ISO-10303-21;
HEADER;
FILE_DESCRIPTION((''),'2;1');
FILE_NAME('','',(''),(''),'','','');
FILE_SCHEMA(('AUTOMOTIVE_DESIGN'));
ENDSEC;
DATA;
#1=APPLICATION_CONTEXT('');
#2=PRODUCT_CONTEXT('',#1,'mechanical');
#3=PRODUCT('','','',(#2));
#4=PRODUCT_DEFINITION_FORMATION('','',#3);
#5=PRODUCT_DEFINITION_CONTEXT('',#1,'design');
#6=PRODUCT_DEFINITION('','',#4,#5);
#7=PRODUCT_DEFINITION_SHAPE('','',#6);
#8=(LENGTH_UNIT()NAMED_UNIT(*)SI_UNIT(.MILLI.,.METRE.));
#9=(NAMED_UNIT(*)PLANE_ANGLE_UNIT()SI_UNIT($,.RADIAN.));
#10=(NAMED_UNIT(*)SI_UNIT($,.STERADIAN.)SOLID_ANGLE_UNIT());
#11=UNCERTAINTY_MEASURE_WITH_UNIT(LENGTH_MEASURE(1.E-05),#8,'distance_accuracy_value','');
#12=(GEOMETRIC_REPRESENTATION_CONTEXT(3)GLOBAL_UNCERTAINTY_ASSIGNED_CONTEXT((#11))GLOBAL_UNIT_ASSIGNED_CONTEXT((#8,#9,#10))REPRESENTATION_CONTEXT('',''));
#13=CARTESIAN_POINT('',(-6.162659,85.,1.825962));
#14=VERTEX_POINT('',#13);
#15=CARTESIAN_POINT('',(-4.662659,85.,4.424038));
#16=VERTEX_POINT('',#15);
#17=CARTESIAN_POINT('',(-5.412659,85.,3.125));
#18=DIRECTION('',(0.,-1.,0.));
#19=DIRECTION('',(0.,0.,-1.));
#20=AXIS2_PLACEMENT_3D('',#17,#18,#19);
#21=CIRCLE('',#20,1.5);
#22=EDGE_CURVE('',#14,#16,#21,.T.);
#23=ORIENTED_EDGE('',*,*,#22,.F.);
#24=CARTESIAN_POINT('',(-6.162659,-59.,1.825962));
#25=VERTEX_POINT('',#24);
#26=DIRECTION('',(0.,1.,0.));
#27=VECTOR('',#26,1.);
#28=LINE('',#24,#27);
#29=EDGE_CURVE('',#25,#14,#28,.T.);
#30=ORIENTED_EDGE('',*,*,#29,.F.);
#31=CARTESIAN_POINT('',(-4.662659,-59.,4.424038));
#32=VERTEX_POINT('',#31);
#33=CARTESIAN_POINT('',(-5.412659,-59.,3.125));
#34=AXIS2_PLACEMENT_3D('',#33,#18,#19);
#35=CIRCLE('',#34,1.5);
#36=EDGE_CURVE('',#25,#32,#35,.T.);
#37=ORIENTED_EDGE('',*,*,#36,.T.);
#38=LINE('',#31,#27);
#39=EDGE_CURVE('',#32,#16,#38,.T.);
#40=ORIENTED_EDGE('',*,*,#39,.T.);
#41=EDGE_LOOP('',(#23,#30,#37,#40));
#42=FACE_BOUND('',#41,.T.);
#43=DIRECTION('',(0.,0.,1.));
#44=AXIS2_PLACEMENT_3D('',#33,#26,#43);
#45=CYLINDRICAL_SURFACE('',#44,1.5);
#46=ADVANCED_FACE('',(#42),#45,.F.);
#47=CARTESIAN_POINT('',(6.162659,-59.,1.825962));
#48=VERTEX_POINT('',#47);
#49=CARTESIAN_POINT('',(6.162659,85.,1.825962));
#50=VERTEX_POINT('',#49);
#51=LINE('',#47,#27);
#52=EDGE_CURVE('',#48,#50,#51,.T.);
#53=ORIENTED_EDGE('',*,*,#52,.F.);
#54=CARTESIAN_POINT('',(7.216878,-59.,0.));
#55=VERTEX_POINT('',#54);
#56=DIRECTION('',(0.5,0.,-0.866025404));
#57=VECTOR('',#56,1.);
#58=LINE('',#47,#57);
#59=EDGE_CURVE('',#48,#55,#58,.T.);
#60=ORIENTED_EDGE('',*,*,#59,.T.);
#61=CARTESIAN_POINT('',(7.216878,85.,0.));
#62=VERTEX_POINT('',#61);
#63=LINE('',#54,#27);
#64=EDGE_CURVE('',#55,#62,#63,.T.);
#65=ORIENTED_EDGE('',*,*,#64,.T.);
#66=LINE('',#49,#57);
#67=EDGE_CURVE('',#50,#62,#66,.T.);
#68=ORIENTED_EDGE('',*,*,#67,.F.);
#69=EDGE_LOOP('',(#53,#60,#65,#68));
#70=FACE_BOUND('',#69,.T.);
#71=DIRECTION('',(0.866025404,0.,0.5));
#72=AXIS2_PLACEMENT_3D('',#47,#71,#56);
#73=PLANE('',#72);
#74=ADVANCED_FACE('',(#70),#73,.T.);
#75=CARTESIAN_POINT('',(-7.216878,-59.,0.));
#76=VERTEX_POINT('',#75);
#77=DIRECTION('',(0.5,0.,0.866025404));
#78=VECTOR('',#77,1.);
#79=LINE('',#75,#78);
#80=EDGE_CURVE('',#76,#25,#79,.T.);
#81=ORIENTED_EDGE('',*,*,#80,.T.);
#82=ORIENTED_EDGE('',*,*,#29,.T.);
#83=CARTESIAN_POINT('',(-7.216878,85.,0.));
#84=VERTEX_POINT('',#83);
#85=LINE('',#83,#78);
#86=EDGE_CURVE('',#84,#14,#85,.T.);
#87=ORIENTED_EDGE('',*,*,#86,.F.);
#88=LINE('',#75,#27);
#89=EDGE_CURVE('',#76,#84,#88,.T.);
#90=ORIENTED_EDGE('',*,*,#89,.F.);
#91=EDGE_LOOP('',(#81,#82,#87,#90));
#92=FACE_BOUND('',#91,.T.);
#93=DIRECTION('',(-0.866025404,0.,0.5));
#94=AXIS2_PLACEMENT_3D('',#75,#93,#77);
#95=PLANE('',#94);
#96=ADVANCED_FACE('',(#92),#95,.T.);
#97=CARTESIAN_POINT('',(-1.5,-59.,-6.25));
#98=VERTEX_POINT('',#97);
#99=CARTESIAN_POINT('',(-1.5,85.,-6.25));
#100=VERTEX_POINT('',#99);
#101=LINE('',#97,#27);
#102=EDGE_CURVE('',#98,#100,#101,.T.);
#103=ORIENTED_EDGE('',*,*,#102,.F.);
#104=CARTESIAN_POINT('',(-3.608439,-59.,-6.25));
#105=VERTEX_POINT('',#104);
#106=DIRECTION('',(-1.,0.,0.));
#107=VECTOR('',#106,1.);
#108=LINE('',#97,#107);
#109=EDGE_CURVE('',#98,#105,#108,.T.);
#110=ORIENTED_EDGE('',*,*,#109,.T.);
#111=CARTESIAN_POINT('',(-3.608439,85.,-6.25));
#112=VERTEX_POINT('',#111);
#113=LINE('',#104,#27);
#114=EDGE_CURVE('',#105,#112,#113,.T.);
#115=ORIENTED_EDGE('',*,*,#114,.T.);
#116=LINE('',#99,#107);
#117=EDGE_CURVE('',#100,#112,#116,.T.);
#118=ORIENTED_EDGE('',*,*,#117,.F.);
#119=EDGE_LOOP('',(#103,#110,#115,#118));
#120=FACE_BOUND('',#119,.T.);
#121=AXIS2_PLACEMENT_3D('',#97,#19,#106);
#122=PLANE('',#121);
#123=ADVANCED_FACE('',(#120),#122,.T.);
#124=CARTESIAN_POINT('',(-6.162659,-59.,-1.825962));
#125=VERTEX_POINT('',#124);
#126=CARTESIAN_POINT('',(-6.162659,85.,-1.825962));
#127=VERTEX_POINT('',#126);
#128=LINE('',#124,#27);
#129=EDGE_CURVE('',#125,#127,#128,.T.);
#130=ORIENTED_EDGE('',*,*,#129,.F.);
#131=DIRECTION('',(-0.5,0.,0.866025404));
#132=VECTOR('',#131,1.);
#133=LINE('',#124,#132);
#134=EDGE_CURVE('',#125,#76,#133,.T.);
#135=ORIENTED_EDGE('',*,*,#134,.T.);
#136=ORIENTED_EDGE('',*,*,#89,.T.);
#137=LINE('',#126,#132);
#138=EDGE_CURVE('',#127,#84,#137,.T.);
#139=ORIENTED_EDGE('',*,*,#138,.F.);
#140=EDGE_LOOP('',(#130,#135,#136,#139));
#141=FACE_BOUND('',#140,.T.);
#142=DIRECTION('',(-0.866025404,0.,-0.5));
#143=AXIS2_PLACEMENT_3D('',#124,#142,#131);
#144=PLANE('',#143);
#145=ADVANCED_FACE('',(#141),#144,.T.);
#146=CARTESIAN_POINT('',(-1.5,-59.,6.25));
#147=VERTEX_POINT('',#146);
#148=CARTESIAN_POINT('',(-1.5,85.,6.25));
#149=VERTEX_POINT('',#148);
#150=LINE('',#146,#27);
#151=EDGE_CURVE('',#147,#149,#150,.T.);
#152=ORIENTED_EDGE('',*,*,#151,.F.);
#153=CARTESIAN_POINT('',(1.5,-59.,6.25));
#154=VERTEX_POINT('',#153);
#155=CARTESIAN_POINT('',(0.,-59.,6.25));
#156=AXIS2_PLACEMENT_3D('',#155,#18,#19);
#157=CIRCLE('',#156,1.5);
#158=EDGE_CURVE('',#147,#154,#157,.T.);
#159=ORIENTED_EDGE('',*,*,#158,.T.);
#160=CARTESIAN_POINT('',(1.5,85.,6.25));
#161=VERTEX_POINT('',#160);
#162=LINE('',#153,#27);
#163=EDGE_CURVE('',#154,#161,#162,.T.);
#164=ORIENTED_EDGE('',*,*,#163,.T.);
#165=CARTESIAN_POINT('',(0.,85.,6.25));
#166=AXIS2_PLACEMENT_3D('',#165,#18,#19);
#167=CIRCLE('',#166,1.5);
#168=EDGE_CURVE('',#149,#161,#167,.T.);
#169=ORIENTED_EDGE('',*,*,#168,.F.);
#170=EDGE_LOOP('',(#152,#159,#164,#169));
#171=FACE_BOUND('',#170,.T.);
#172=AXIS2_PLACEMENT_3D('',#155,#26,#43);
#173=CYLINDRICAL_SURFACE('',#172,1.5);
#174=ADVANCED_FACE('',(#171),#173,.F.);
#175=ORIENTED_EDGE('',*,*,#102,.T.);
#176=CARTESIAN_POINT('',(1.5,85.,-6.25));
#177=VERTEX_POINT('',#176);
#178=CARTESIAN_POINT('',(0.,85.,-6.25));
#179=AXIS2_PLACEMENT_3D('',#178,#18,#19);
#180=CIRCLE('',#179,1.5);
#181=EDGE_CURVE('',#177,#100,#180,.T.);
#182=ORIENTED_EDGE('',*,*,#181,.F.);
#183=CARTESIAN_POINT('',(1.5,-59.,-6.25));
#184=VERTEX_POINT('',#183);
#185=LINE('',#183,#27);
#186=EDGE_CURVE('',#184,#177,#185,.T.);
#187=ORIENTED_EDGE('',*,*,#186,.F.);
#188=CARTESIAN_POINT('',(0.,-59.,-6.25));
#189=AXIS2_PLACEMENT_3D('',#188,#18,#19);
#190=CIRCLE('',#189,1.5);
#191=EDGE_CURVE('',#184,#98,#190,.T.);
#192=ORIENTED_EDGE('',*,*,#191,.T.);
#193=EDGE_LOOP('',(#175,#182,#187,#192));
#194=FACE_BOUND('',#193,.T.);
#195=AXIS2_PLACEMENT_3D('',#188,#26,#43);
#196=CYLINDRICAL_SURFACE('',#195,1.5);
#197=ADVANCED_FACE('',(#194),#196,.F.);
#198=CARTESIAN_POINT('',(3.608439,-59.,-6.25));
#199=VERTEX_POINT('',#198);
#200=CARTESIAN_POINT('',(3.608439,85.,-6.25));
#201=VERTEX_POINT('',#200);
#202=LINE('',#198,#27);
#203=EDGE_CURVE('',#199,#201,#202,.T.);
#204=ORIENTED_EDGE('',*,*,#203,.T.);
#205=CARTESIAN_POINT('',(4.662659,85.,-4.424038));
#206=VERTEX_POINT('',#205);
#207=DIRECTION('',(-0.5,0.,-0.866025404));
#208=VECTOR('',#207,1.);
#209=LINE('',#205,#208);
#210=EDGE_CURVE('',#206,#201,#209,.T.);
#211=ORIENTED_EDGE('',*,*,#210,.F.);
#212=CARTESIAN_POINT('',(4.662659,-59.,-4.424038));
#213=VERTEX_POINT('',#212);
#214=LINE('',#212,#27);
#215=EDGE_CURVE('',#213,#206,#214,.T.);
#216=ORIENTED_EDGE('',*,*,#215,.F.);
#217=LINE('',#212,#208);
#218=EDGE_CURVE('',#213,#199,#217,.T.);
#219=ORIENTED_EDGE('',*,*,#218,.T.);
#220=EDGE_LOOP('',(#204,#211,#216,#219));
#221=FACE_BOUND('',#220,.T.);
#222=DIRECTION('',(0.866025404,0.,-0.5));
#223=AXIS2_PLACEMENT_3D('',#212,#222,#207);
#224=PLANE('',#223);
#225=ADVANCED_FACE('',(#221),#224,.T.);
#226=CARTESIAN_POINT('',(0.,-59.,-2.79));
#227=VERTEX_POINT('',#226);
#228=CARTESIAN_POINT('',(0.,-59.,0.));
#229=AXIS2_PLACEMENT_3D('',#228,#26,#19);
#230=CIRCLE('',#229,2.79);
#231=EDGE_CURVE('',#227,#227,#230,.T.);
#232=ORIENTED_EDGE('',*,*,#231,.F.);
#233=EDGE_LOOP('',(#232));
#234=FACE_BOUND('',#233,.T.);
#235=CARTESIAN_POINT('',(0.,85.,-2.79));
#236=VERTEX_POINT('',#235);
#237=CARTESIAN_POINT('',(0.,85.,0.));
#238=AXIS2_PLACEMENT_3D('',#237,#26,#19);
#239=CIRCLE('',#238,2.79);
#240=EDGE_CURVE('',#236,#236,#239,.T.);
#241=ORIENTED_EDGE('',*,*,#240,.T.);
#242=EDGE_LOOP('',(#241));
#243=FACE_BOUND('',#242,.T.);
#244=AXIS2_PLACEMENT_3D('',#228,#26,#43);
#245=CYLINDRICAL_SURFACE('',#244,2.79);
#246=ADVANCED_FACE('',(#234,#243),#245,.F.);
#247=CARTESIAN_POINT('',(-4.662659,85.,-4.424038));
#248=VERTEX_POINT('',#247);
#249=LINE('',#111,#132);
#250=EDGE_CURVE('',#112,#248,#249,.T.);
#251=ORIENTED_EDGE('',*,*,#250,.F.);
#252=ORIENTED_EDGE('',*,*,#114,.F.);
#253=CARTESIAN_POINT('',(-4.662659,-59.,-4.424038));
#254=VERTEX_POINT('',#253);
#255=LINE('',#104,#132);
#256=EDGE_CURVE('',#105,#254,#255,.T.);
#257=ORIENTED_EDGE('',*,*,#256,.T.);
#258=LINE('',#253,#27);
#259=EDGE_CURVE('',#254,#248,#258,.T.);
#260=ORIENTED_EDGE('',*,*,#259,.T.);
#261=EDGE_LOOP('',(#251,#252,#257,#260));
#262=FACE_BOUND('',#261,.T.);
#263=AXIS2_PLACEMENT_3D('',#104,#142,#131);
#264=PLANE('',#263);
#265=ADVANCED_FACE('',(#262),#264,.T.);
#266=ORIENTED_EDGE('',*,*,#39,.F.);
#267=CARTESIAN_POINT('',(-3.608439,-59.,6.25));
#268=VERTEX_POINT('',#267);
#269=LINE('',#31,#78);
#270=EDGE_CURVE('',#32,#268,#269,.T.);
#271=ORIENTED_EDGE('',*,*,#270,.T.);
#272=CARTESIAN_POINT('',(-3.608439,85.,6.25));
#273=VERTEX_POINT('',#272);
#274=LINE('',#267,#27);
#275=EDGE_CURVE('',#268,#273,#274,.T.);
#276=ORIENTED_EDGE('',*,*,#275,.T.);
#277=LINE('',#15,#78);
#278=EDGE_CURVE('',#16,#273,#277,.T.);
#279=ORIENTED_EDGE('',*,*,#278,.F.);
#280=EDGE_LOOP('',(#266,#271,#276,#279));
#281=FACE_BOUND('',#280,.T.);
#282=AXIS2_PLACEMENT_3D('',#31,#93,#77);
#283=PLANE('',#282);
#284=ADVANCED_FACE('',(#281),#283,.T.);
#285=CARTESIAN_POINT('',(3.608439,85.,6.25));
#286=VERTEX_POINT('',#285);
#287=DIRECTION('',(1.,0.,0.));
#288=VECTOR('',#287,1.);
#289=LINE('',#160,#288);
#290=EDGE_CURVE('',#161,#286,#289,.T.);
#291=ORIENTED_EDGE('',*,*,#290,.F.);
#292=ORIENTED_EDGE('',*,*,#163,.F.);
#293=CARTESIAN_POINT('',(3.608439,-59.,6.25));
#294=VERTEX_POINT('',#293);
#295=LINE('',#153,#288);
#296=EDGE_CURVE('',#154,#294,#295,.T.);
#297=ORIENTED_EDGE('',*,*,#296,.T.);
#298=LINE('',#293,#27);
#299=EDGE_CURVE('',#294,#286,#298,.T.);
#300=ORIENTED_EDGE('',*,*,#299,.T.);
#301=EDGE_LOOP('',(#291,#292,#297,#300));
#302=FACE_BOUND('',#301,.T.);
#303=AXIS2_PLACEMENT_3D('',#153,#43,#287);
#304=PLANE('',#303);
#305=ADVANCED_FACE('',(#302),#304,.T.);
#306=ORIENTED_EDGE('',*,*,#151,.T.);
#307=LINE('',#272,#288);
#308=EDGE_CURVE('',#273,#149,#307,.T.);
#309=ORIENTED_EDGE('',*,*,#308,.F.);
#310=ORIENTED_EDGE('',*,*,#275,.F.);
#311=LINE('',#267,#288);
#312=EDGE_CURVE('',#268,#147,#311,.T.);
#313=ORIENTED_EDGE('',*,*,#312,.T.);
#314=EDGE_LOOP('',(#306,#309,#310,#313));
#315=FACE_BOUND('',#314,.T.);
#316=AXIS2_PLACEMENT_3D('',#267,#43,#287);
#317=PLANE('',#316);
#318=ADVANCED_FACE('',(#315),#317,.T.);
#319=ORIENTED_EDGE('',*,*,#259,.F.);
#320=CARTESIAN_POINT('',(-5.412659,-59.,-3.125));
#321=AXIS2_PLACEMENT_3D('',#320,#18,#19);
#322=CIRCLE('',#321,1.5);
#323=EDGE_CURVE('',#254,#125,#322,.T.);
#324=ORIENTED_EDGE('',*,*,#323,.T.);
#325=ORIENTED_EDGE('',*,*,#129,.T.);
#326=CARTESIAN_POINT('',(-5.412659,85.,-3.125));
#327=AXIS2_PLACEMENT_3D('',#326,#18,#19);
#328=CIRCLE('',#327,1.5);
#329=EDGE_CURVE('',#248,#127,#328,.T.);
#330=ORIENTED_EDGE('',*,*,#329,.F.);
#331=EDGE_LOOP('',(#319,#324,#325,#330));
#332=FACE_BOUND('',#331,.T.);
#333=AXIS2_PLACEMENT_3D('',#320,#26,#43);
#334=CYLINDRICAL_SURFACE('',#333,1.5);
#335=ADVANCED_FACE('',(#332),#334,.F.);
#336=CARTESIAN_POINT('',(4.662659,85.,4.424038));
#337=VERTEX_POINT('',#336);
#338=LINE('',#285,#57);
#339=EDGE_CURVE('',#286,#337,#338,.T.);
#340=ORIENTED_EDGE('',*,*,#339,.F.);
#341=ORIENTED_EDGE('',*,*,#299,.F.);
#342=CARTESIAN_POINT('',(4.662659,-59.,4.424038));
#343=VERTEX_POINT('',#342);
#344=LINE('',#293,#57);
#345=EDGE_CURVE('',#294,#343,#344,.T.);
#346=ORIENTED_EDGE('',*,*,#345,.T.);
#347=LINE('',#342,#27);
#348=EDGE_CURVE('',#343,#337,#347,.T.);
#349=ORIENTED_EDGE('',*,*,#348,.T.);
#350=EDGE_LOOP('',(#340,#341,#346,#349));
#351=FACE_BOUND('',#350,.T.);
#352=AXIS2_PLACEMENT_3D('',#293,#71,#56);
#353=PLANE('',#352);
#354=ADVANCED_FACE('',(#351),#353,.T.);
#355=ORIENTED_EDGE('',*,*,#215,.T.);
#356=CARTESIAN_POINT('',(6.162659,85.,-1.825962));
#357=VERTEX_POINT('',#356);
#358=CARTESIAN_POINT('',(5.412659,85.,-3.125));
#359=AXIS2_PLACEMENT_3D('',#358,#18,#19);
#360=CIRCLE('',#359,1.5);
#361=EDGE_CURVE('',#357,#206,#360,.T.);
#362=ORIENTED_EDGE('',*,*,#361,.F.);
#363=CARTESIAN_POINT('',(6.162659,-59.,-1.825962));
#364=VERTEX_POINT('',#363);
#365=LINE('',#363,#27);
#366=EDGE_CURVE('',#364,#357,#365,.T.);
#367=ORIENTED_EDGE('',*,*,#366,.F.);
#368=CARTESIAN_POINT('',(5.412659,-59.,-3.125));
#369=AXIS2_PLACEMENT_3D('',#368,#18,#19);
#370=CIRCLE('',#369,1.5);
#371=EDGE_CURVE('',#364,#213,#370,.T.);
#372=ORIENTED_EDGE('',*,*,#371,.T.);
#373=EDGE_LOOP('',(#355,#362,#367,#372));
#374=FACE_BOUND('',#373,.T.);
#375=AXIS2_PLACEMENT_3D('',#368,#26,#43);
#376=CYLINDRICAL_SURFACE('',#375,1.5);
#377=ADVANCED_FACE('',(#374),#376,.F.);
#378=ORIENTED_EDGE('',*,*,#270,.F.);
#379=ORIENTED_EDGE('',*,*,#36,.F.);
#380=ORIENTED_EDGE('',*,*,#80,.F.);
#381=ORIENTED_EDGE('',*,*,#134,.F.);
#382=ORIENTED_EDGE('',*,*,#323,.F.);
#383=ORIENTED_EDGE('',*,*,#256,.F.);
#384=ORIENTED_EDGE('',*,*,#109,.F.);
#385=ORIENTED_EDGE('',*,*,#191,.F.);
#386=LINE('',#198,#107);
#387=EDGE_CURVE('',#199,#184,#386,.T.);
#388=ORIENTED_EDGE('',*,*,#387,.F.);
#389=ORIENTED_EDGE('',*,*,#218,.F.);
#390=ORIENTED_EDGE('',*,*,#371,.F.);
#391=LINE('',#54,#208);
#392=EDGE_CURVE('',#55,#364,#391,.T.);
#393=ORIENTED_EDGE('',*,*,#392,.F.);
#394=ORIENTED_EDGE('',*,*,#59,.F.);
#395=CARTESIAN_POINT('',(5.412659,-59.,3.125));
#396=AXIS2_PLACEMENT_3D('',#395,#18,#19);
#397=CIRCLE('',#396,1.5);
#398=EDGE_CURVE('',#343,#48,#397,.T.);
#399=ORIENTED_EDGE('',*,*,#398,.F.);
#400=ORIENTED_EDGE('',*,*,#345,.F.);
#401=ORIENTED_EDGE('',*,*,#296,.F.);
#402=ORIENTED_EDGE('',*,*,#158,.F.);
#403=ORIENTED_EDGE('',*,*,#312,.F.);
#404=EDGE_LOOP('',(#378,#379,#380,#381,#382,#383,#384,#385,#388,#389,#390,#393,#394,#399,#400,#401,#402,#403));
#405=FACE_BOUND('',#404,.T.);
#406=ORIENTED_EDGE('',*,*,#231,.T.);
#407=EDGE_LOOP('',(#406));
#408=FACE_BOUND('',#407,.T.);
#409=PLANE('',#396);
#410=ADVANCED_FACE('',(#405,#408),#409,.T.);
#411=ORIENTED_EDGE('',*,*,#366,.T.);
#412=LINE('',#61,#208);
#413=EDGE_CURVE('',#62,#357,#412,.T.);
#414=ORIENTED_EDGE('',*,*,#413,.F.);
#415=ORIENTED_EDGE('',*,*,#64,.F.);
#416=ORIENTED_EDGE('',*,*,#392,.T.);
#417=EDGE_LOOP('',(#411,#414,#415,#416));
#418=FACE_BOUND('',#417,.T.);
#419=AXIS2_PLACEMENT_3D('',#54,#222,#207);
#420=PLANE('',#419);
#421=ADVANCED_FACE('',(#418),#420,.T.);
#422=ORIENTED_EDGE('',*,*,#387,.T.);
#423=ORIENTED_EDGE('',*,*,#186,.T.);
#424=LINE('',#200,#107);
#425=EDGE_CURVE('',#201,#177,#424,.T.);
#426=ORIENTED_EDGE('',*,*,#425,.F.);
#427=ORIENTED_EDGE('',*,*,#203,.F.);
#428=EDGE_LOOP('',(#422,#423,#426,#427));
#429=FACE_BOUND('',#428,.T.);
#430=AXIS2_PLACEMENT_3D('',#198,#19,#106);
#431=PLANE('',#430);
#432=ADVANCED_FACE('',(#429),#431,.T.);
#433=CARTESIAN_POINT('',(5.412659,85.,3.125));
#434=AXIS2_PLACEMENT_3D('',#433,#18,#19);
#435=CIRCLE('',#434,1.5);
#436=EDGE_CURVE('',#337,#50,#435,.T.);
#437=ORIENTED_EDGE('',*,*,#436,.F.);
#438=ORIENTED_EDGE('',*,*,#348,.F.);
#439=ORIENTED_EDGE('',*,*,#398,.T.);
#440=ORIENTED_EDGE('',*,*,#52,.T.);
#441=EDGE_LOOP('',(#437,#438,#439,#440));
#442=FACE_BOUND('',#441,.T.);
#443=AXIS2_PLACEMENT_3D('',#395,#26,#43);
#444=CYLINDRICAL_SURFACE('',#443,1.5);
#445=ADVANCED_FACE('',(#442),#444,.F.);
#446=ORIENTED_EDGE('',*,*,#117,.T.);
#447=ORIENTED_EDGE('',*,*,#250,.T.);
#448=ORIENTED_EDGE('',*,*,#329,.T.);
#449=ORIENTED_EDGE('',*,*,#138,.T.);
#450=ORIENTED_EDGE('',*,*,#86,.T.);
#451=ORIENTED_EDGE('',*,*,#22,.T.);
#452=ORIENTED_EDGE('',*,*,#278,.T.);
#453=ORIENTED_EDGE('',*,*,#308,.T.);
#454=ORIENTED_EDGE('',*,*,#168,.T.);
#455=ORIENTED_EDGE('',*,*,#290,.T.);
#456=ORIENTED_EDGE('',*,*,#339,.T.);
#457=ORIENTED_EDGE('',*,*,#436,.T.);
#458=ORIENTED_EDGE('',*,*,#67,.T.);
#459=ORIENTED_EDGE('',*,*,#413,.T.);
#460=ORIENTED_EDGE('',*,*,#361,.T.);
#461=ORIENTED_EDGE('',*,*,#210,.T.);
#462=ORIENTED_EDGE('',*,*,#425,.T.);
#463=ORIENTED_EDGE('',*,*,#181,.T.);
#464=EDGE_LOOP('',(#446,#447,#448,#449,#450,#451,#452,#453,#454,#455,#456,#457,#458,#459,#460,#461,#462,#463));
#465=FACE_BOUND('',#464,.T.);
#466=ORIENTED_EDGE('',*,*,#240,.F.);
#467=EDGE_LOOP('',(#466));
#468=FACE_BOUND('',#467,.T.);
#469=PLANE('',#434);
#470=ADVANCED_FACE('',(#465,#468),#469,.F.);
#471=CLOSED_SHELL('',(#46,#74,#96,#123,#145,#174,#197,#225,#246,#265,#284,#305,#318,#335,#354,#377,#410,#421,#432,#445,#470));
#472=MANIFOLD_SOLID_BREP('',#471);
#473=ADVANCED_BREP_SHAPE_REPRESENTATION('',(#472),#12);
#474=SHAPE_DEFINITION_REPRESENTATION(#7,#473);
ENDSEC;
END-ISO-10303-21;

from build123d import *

# Parameters (mm, degrees)
ESBO_O1_R                = 2.79
RESSALTO_EXTRUS_O1_DEPTH = 144


with BuildPart() as part:
    # Esboço1 → Ressalto-extrusão1 (new body)
    with BuildSketch(Plane(origin=(0, 85, 0), x_dir=(1, 0, 0), z_dir=(0, 1, 0))):
        with BuildLine():
            Line((6.162658774, -1.825961894), (7.216878365, 0))
            Line((7.216878365, 0), (6.162658774, 1.825961894))
            ThreePointArc((6.162658774, 1.825961894), (4.113620668, 2.375), (4.662658774, 4.424038106))
            Line((4.662658774, 4.424038106), (3.608439182, 6.25))
            Line((3.608439182, 6.25), (1.5, 6.25))
            ThreePointArc((1.5, 6.25), (0, 4.75), (-1.5, 6.25))
            Line((-1.5, 6.25), (-3.608439182, 6.25))
            Line((-3.608439182, 6.25), (-4.662658774, 4.424038106))
            ThreePointArc((-4.662658774, 4.424038106), (-4.113620668, 2.375), (-6.162658774, 1.825961894))
            Line((-6.162658774, 1.825961894), (-7.216878365, 0))
            Line((-7.216878365, 0), (-6.162658774, -1.825961894))
            ThreePointArc((-6.162658774, -1.825961894), (-4.113620668, -2.375), (-4.662658774, -4.424038106))
            Line((-4.662658774, -4.424038106), (-3.608439182, -6.25))
            Line((-3.608439182, -6.25), (-1.5, -6.25))
            ThreePointArc((-1.5, -6.25), (0, -4.75), (1.5, -6.25))
            Line((1.5, -6.25), (3.608439182, -6.25))
            Line((3.608439182, -6.25), (4.662658774, -4.424038106))
            ThreePointArc((4.662658774, -4.424038106), (4.113620668, -2.375), (6.162658774, -1.825961894))
        make_face()
        Circle(ESBO_O1_R, mode=Mode.SUBTRACT)
    extrude(amount=-RESSALTO_EXTRUS_O1_DEPTH)


solid = part.part
